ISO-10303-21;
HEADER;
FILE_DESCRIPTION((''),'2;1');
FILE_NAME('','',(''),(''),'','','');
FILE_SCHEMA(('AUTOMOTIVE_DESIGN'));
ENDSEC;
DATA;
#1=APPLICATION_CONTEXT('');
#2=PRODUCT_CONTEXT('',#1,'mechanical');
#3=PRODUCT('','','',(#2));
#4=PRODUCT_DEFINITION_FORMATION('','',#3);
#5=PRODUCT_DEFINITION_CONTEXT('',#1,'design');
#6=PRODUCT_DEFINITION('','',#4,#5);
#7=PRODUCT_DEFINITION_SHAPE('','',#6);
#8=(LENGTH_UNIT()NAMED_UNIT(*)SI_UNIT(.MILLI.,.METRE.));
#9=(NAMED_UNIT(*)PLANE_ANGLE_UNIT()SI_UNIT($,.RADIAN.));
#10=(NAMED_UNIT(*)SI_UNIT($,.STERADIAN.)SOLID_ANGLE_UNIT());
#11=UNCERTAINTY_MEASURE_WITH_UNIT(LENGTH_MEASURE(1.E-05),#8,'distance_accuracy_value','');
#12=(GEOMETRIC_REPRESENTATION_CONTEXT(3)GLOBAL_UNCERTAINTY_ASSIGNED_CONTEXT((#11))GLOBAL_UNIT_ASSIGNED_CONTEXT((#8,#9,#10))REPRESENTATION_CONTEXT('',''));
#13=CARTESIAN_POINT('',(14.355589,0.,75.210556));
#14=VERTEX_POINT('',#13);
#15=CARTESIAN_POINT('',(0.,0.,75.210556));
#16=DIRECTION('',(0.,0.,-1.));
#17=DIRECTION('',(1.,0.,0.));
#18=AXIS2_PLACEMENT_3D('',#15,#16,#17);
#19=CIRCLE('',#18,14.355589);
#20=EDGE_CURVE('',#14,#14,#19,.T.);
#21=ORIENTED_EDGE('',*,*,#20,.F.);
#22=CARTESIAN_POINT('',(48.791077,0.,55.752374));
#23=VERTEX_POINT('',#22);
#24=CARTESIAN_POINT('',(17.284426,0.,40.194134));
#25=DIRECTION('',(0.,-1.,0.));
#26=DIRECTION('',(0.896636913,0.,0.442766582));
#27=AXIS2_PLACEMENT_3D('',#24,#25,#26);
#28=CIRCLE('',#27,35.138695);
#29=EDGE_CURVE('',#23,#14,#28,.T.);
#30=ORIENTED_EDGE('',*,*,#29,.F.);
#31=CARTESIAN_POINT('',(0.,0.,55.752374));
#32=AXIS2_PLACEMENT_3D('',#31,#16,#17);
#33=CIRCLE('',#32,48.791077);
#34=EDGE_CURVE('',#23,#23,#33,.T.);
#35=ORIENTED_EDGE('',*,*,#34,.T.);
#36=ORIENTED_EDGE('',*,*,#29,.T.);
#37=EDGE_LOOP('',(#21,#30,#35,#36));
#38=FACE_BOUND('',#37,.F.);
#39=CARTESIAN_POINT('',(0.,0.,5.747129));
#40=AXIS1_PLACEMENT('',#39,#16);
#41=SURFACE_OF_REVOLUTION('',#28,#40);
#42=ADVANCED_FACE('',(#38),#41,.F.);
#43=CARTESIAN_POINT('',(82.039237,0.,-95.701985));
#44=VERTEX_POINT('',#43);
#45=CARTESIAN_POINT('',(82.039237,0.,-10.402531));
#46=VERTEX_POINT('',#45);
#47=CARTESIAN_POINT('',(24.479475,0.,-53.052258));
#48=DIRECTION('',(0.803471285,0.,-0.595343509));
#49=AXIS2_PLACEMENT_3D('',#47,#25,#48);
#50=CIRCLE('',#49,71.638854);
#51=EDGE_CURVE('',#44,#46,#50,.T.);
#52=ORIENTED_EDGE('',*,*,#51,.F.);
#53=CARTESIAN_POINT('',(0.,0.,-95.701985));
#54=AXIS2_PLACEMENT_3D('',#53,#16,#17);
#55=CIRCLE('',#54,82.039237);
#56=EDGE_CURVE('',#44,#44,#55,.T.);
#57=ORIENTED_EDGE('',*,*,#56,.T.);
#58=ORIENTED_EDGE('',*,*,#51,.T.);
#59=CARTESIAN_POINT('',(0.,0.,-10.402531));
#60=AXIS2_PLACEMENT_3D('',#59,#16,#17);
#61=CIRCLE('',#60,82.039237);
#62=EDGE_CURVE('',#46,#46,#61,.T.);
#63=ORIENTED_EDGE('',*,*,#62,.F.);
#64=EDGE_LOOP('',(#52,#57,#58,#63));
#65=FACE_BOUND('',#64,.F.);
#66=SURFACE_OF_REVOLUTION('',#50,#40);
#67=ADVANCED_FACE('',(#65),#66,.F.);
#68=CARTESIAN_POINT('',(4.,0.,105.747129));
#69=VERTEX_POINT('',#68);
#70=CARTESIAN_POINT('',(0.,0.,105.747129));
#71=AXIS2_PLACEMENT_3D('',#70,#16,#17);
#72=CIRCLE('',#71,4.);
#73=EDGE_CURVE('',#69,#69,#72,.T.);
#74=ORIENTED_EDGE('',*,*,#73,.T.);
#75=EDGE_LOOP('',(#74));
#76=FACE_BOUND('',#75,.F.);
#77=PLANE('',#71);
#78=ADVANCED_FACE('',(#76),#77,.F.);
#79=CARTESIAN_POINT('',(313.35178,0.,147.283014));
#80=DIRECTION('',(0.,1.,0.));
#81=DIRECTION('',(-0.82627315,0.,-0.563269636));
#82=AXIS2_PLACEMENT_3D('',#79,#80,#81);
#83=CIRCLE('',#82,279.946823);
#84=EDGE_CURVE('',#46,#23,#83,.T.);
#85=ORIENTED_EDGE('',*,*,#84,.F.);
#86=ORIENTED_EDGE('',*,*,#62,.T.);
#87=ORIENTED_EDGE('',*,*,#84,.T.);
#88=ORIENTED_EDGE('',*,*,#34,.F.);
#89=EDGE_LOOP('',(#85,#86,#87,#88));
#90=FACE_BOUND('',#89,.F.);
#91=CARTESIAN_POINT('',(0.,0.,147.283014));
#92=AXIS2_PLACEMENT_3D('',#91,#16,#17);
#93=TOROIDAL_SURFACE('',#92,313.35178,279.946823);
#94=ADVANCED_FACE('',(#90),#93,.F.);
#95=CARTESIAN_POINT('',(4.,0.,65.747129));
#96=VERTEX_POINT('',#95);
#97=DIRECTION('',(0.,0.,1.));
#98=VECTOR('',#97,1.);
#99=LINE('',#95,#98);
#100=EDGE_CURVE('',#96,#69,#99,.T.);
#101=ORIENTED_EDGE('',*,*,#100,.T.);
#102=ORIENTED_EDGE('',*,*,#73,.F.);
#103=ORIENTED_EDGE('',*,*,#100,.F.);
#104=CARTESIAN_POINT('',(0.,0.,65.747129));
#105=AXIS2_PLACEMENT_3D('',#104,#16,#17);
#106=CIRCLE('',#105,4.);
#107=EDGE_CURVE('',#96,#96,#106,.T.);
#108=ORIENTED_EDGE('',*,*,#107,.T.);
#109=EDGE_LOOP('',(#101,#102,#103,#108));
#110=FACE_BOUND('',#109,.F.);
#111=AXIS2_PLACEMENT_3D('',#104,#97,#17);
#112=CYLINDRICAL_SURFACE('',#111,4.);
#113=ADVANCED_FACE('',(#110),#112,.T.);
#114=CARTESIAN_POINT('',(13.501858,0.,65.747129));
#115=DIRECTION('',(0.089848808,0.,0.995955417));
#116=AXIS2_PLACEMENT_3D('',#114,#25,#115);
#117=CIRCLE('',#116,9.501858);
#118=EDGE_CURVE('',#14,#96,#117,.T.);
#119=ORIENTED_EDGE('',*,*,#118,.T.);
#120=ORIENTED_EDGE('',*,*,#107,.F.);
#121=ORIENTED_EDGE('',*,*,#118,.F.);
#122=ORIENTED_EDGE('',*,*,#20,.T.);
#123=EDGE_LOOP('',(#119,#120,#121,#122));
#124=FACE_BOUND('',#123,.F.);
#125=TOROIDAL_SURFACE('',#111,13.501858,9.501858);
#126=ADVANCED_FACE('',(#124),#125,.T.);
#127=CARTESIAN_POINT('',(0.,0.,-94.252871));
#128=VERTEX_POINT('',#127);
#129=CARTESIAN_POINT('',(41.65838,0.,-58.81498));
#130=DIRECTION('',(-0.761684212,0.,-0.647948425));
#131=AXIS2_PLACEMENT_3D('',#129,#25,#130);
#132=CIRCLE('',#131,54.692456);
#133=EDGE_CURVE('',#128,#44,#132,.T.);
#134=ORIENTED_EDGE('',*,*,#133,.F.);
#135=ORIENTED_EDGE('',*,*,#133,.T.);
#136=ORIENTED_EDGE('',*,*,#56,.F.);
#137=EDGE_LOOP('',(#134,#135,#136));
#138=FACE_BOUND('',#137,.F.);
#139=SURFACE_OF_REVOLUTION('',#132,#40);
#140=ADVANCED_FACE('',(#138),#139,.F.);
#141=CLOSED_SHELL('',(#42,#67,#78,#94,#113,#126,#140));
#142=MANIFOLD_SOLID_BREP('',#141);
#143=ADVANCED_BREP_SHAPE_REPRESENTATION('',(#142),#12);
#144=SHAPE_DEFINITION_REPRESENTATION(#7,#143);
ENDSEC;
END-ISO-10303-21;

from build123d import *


with BuildPart() as f1:
    # F0 (on Front) → F1 (revolve)
    with BuildSketch(Plane.XZ):
        with BuildLine():
            Line((4, 105.747129), (0, 105.747129))
            Line((0, 105.747129), (0, -94.252871))
            ThreePointArc((0, -94.252871), (40.692461, -113.498906), (82.039237, -95.701985))
            ThreePointArc((82.039237, -95.701985), (96.118329, -53.052258), (82.039237, -10.402531))
            ThreePointArc((82.039237, -10.402531), (63.218442, 21.570895), (48.791077, 55.752374))
            ThreePointArc((48.791077, 55.752374), (34.57107, 70.786614), (14.355589, 75.210556))
            ThreePointArc((14.355589, 75.210556), (7.091972, 72.761305), (4, 65.747129))
            Line((4, 65.747129), (4, 105.747129))
        make_face()
    revolve(axis=Axis((0, 0, 5.747129), (0, 0, -1)))


solid = f1.part
